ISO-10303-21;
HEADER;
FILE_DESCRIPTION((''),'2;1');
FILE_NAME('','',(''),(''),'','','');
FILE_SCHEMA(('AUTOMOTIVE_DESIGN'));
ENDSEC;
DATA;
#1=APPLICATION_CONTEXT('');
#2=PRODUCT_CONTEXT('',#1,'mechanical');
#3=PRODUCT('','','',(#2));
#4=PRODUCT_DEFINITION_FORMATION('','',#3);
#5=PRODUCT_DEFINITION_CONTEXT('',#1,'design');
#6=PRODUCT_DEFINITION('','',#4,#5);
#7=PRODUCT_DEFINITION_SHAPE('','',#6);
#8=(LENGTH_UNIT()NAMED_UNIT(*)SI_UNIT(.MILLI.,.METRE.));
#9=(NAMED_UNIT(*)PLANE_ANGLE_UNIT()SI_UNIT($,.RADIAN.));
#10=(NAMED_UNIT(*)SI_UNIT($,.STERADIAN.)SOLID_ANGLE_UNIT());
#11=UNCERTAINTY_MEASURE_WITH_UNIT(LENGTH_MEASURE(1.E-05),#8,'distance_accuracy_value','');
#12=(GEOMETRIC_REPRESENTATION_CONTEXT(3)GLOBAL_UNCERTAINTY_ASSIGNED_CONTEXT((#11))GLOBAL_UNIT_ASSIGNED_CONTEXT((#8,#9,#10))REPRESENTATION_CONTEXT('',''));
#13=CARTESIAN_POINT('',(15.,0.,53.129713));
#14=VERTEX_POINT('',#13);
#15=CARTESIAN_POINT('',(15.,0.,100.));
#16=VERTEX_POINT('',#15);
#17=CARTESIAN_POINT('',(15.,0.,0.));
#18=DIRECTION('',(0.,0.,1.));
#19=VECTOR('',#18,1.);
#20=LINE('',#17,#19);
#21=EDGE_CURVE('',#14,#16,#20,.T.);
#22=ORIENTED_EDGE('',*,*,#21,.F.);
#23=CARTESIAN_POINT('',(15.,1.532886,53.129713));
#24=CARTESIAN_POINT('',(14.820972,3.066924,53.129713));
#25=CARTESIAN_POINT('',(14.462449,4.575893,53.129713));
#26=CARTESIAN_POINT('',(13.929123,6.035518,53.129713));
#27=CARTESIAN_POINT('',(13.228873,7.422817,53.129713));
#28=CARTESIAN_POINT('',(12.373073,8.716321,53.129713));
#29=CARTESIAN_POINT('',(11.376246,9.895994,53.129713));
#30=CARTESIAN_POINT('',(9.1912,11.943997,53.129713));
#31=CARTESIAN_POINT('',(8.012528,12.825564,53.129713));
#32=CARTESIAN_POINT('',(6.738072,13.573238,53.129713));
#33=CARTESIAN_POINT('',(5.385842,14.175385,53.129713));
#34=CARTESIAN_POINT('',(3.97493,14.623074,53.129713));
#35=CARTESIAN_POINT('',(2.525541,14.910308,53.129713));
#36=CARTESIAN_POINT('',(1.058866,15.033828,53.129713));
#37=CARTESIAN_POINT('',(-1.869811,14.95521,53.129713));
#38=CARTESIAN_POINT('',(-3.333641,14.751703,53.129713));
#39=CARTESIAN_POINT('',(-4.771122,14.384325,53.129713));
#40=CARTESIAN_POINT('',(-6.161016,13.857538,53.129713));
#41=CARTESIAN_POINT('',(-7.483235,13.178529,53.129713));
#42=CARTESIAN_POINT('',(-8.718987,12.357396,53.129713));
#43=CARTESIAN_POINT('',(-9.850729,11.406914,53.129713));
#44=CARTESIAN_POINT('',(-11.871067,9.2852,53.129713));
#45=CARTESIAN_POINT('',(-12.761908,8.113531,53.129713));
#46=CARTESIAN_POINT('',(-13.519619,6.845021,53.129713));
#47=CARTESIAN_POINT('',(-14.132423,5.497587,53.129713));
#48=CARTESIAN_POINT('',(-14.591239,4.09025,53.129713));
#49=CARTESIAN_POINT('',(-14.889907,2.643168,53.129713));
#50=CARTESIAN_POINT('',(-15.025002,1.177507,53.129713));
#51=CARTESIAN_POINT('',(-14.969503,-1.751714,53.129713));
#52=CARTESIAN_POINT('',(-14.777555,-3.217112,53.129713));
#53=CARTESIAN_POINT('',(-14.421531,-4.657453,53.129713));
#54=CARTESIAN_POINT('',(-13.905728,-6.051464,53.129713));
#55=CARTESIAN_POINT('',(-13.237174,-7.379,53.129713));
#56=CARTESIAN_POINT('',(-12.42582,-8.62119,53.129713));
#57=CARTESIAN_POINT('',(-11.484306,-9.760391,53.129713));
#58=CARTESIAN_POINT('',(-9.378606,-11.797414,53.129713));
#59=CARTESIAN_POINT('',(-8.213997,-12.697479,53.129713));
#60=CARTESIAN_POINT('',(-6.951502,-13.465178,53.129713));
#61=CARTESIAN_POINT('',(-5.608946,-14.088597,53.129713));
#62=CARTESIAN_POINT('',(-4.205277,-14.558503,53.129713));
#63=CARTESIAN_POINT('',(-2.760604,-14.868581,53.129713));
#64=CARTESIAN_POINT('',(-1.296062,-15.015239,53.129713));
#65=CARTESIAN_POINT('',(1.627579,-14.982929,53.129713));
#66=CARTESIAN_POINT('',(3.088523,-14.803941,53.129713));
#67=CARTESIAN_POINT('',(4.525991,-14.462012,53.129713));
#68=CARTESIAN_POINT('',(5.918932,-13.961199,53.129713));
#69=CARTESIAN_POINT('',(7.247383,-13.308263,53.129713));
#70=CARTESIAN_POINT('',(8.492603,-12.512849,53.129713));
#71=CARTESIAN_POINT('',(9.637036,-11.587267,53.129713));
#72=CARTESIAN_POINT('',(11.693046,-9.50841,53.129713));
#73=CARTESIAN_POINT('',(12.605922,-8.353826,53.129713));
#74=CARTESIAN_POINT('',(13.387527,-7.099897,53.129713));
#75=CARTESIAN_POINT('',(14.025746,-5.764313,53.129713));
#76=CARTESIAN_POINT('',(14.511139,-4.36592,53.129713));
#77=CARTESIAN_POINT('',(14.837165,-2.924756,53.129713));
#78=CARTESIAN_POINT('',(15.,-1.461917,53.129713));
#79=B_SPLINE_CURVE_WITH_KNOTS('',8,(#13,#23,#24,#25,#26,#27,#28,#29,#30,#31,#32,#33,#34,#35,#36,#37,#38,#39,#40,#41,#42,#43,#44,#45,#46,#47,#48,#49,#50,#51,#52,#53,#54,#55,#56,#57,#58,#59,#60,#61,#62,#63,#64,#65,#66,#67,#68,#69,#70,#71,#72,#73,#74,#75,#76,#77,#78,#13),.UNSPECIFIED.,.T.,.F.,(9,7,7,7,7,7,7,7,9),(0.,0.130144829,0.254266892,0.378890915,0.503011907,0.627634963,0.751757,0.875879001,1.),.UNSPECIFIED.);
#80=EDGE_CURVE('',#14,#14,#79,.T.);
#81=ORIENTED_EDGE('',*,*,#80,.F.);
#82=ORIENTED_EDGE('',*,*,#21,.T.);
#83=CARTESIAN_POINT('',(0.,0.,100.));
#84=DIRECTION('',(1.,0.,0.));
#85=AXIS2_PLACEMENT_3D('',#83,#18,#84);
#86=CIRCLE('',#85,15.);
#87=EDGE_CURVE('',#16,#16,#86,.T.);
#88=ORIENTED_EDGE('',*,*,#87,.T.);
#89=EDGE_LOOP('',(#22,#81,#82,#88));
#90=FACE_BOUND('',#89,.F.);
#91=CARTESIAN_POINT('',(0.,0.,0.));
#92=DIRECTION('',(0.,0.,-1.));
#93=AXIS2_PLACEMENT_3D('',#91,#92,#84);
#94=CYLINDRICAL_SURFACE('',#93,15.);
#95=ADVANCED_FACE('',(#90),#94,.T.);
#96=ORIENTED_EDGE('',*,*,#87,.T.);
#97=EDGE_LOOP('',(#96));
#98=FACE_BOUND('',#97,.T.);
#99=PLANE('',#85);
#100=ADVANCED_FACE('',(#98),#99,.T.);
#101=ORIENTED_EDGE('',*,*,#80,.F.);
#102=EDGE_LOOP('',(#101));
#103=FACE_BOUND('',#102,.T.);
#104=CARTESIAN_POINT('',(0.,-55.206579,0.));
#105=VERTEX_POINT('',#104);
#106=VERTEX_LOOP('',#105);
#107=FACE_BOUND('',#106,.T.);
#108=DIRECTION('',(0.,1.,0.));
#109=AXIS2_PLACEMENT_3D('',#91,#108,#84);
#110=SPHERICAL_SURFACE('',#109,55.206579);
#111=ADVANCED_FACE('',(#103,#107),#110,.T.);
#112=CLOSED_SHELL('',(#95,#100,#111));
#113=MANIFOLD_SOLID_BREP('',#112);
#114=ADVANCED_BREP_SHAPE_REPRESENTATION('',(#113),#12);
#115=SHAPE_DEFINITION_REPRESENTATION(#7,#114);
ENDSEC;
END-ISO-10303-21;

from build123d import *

# Parameters (mm, degrees)
F2_R     = 15
F3_DEPTH = 100


with BuildPart() as f1:
    # F0 (on Top) → F1 (revolve)
    with BuildSketch(Plane.XY):
        with BuildLine():
            Line((0, 0), (0, -55.206579))
            ThreePointArc((0, -55.206579), (55.206579, 0), (0, 55.206579))
            Line((0, 55.206579), (0, 0))
        make_face()
    revolve(axis=Axis((0, -14.605515, 0), (0, 1, 0)))

    # F2 (on Top) → F3 (join)
    with BuildSketch(Plane.XY):
        Circle(F2_R)
    extrude(amount=F3_DEPTH)


solid = f1.part
